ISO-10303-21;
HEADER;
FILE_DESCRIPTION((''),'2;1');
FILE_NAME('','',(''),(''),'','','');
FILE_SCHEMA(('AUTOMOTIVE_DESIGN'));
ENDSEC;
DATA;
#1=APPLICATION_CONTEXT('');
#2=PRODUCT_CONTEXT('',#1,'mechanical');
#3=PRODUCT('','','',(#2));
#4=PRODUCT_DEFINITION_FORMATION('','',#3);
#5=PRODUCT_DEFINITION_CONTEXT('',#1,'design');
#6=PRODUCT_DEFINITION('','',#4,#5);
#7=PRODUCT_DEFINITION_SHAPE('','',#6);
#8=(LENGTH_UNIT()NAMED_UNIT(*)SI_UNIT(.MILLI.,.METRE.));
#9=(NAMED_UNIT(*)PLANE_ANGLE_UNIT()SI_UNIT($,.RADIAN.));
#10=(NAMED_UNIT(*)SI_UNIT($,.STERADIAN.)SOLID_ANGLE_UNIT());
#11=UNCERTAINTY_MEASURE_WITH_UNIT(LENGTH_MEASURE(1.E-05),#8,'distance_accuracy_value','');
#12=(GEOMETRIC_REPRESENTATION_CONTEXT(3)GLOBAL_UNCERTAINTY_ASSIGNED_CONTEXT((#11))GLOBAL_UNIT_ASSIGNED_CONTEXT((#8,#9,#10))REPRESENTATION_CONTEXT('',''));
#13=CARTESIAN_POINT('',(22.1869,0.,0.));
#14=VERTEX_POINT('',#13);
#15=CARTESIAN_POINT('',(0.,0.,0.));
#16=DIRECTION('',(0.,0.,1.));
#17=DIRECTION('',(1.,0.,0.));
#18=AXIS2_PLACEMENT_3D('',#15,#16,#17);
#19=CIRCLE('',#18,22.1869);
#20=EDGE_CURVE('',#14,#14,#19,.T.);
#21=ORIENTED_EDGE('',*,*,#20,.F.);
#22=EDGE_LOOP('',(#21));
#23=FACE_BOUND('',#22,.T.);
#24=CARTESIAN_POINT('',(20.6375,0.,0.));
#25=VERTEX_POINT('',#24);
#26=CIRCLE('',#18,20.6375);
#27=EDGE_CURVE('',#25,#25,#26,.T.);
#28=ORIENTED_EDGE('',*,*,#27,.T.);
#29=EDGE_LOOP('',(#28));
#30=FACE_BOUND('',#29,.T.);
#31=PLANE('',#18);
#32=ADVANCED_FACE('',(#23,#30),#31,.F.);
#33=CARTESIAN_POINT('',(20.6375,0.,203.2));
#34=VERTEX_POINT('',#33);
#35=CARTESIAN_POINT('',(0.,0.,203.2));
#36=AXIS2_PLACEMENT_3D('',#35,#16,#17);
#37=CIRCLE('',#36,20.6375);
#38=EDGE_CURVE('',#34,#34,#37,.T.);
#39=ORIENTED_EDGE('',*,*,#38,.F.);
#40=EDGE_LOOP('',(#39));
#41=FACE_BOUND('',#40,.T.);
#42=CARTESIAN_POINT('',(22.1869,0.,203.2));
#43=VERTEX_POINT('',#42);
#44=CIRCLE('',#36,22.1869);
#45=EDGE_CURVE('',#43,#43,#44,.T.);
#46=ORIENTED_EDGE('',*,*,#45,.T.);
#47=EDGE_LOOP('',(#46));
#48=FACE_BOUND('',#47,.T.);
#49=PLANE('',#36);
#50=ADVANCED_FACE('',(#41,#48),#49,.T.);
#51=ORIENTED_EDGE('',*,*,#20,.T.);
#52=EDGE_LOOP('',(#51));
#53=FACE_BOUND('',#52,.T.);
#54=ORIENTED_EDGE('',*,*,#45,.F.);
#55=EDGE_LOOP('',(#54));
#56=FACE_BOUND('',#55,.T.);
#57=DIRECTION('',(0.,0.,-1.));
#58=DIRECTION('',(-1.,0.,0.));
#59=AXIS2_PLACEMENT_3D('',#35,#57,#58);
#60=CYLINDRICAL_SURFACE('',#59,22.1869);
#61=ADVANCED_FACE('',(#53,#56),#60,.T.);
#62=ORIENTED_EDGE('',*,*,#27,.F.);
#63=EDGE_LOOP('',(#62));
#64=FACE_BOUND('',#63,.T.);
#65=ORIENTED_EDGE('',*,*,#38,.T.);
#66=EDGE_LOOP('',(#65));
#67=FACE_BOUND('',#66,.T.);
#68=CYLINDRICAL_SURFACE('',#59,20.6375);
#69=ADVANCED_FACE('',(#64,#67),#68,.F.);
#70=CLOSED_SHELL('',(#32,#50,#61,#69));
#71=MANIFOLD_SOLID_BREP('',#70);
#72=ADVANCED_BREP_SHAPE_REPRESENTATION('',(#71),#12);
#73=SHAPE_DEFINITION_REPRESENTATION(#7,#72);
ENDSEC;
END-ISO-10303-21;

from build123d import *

# Parameters (mm, degrees)
SKETCH1_R           = 22.1869
SKETCH1_R_2         = 20.6375
BOSS_EXTRUDE1_DEPTH = 203.2


with BuildPart() as part:
    # Sketch1 → Boss-Extrude1 (new body)
    with BuildSketch(Plane.XY):
        Circle(SKETCH1_R)
        Circle(SKETCH1_R_2, mode=Mode.SUBTRACT)
    extrude(amount=BOSS_EXTRUDE1_DEPTH)


solid = part.part
